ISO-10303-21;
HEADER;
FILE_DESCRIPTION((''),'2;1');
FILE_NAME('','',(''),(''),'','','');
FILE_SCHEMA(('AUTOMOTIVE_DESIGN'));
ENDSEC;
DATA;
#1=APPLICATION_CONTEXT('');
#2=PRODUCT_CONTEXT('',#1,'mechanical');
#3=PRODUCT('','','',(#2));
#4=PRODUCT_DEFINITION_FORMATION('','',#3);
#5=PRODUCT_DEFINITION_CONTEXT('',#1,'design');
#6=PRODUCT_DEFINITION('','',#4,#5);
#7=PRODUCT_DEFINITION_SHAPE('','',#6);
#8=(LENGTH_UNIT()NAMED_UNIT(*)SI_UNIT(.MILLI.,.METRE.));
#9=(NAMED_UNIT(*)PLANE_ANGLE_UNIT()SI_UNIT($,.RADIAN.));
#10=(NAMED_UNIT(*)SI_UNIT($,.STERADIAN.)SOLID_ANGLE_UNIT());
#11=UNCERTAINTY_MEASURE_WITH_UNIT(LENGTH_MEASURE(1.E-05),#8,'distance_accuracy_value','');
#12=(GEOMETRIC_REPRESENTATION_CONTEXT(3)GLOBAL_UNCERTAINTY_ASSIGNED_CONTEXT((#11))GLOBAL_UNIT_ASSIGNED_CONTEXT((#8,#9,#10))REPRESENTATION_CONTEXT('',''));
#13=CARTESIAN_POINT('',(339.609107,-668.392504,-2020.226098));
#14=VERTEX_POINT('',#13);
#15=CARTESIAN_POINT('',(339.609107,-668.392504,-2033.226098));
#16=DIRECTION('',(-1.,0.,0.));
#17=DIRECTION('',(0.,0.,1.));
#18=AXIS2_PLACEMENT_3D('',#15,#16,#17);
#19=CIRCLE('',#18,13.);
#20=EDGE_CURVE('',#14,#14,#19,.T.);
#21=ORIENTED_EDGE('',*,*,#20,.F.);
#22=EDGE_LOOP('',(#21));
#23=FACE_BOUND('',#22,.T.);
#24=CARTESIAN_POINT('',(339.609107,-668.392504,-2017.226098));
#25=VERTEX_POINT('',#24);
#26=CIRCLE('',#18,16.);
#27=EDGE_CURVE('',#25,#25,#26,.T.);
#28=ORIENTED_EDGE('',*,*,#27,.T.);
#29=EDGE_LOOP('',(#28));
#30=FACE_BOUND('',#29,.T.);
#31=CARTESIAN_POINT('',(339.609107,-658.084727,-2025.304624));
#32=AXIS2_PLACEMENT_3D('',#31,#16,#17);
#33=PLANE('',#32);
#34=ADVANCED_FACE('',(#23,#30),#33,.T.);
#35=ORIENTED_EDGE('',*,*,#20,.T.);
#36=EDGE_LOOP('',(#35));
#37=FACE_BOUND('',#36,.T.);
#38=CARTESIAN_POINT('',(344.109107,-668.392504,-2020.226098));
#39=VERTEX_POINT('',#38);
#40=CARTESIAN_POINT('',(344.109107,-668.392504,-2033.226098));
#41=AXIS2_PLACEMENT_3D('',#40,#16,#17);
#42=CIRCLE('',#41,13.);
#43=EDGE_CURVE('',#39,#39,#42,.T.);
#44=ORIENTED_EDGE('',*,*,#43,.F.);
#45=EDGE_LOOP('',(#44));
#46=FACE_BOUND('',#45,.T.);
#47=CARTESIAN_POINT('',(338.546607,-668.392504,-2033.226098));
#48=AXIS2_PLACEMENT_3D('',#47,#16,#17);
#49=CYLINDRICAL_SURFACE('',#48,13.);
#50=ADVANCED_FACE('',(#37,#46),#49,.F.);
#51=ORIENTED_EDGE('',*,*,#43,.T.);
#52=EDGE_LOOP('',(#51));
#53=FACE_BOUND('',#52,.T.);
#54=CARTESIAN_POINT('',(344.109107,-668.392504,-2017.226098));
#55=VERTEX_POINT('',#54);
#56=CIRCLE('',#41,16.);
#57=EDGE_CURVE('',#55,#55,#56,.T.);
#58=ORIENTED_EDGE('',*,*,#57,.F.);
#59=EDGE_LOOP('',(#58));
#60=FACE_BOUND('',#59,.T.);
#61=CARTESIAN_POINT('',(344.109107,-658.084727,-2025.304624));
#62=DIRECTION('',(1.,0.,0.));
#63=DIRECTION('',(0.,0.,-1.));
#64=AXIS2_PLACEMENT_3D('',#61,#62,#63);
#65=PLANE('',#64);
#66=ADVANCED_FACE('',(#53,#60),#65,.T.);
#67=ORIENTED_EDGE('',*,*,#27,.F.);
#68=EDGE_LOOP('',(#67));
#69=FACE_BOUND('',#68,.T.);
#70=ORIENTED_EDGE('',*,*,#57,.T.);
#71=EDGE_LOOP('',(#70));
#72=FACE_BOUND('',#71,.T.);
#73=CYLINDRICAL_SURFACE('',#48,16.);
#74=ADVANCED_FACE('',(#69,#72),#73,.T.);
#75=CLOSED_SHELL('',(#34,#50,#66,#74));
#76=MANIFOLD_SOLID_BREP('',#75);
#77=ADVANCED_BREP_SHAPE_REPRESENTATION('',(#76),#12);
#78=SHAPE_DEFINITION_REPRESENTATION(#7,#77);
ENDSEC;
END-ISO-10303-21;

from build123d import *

# Parameters (mm, degrees)
SKETCH_1_W = 4.5
SKETCH_1_H = 3


with BuildPart() as part:
    # 草图1 → 旋转1 (revolve)
    with BuildSketch(Plane(origin=(352.92895665, -174.926688854, -1654.000174855), x_dir=(-1, 0, 0), z_dir=(0, 0.609344086, -0.792905912))):
        with Locations((11.069850069, -607.851034956)):
            Rectangle(SKETCH_1_W, SKETCH_1_H)
    revolve(axis=Axis((338.546606581, -668.392503518, -2033.226097582), (1, 0, 0)))


solid = part.part
